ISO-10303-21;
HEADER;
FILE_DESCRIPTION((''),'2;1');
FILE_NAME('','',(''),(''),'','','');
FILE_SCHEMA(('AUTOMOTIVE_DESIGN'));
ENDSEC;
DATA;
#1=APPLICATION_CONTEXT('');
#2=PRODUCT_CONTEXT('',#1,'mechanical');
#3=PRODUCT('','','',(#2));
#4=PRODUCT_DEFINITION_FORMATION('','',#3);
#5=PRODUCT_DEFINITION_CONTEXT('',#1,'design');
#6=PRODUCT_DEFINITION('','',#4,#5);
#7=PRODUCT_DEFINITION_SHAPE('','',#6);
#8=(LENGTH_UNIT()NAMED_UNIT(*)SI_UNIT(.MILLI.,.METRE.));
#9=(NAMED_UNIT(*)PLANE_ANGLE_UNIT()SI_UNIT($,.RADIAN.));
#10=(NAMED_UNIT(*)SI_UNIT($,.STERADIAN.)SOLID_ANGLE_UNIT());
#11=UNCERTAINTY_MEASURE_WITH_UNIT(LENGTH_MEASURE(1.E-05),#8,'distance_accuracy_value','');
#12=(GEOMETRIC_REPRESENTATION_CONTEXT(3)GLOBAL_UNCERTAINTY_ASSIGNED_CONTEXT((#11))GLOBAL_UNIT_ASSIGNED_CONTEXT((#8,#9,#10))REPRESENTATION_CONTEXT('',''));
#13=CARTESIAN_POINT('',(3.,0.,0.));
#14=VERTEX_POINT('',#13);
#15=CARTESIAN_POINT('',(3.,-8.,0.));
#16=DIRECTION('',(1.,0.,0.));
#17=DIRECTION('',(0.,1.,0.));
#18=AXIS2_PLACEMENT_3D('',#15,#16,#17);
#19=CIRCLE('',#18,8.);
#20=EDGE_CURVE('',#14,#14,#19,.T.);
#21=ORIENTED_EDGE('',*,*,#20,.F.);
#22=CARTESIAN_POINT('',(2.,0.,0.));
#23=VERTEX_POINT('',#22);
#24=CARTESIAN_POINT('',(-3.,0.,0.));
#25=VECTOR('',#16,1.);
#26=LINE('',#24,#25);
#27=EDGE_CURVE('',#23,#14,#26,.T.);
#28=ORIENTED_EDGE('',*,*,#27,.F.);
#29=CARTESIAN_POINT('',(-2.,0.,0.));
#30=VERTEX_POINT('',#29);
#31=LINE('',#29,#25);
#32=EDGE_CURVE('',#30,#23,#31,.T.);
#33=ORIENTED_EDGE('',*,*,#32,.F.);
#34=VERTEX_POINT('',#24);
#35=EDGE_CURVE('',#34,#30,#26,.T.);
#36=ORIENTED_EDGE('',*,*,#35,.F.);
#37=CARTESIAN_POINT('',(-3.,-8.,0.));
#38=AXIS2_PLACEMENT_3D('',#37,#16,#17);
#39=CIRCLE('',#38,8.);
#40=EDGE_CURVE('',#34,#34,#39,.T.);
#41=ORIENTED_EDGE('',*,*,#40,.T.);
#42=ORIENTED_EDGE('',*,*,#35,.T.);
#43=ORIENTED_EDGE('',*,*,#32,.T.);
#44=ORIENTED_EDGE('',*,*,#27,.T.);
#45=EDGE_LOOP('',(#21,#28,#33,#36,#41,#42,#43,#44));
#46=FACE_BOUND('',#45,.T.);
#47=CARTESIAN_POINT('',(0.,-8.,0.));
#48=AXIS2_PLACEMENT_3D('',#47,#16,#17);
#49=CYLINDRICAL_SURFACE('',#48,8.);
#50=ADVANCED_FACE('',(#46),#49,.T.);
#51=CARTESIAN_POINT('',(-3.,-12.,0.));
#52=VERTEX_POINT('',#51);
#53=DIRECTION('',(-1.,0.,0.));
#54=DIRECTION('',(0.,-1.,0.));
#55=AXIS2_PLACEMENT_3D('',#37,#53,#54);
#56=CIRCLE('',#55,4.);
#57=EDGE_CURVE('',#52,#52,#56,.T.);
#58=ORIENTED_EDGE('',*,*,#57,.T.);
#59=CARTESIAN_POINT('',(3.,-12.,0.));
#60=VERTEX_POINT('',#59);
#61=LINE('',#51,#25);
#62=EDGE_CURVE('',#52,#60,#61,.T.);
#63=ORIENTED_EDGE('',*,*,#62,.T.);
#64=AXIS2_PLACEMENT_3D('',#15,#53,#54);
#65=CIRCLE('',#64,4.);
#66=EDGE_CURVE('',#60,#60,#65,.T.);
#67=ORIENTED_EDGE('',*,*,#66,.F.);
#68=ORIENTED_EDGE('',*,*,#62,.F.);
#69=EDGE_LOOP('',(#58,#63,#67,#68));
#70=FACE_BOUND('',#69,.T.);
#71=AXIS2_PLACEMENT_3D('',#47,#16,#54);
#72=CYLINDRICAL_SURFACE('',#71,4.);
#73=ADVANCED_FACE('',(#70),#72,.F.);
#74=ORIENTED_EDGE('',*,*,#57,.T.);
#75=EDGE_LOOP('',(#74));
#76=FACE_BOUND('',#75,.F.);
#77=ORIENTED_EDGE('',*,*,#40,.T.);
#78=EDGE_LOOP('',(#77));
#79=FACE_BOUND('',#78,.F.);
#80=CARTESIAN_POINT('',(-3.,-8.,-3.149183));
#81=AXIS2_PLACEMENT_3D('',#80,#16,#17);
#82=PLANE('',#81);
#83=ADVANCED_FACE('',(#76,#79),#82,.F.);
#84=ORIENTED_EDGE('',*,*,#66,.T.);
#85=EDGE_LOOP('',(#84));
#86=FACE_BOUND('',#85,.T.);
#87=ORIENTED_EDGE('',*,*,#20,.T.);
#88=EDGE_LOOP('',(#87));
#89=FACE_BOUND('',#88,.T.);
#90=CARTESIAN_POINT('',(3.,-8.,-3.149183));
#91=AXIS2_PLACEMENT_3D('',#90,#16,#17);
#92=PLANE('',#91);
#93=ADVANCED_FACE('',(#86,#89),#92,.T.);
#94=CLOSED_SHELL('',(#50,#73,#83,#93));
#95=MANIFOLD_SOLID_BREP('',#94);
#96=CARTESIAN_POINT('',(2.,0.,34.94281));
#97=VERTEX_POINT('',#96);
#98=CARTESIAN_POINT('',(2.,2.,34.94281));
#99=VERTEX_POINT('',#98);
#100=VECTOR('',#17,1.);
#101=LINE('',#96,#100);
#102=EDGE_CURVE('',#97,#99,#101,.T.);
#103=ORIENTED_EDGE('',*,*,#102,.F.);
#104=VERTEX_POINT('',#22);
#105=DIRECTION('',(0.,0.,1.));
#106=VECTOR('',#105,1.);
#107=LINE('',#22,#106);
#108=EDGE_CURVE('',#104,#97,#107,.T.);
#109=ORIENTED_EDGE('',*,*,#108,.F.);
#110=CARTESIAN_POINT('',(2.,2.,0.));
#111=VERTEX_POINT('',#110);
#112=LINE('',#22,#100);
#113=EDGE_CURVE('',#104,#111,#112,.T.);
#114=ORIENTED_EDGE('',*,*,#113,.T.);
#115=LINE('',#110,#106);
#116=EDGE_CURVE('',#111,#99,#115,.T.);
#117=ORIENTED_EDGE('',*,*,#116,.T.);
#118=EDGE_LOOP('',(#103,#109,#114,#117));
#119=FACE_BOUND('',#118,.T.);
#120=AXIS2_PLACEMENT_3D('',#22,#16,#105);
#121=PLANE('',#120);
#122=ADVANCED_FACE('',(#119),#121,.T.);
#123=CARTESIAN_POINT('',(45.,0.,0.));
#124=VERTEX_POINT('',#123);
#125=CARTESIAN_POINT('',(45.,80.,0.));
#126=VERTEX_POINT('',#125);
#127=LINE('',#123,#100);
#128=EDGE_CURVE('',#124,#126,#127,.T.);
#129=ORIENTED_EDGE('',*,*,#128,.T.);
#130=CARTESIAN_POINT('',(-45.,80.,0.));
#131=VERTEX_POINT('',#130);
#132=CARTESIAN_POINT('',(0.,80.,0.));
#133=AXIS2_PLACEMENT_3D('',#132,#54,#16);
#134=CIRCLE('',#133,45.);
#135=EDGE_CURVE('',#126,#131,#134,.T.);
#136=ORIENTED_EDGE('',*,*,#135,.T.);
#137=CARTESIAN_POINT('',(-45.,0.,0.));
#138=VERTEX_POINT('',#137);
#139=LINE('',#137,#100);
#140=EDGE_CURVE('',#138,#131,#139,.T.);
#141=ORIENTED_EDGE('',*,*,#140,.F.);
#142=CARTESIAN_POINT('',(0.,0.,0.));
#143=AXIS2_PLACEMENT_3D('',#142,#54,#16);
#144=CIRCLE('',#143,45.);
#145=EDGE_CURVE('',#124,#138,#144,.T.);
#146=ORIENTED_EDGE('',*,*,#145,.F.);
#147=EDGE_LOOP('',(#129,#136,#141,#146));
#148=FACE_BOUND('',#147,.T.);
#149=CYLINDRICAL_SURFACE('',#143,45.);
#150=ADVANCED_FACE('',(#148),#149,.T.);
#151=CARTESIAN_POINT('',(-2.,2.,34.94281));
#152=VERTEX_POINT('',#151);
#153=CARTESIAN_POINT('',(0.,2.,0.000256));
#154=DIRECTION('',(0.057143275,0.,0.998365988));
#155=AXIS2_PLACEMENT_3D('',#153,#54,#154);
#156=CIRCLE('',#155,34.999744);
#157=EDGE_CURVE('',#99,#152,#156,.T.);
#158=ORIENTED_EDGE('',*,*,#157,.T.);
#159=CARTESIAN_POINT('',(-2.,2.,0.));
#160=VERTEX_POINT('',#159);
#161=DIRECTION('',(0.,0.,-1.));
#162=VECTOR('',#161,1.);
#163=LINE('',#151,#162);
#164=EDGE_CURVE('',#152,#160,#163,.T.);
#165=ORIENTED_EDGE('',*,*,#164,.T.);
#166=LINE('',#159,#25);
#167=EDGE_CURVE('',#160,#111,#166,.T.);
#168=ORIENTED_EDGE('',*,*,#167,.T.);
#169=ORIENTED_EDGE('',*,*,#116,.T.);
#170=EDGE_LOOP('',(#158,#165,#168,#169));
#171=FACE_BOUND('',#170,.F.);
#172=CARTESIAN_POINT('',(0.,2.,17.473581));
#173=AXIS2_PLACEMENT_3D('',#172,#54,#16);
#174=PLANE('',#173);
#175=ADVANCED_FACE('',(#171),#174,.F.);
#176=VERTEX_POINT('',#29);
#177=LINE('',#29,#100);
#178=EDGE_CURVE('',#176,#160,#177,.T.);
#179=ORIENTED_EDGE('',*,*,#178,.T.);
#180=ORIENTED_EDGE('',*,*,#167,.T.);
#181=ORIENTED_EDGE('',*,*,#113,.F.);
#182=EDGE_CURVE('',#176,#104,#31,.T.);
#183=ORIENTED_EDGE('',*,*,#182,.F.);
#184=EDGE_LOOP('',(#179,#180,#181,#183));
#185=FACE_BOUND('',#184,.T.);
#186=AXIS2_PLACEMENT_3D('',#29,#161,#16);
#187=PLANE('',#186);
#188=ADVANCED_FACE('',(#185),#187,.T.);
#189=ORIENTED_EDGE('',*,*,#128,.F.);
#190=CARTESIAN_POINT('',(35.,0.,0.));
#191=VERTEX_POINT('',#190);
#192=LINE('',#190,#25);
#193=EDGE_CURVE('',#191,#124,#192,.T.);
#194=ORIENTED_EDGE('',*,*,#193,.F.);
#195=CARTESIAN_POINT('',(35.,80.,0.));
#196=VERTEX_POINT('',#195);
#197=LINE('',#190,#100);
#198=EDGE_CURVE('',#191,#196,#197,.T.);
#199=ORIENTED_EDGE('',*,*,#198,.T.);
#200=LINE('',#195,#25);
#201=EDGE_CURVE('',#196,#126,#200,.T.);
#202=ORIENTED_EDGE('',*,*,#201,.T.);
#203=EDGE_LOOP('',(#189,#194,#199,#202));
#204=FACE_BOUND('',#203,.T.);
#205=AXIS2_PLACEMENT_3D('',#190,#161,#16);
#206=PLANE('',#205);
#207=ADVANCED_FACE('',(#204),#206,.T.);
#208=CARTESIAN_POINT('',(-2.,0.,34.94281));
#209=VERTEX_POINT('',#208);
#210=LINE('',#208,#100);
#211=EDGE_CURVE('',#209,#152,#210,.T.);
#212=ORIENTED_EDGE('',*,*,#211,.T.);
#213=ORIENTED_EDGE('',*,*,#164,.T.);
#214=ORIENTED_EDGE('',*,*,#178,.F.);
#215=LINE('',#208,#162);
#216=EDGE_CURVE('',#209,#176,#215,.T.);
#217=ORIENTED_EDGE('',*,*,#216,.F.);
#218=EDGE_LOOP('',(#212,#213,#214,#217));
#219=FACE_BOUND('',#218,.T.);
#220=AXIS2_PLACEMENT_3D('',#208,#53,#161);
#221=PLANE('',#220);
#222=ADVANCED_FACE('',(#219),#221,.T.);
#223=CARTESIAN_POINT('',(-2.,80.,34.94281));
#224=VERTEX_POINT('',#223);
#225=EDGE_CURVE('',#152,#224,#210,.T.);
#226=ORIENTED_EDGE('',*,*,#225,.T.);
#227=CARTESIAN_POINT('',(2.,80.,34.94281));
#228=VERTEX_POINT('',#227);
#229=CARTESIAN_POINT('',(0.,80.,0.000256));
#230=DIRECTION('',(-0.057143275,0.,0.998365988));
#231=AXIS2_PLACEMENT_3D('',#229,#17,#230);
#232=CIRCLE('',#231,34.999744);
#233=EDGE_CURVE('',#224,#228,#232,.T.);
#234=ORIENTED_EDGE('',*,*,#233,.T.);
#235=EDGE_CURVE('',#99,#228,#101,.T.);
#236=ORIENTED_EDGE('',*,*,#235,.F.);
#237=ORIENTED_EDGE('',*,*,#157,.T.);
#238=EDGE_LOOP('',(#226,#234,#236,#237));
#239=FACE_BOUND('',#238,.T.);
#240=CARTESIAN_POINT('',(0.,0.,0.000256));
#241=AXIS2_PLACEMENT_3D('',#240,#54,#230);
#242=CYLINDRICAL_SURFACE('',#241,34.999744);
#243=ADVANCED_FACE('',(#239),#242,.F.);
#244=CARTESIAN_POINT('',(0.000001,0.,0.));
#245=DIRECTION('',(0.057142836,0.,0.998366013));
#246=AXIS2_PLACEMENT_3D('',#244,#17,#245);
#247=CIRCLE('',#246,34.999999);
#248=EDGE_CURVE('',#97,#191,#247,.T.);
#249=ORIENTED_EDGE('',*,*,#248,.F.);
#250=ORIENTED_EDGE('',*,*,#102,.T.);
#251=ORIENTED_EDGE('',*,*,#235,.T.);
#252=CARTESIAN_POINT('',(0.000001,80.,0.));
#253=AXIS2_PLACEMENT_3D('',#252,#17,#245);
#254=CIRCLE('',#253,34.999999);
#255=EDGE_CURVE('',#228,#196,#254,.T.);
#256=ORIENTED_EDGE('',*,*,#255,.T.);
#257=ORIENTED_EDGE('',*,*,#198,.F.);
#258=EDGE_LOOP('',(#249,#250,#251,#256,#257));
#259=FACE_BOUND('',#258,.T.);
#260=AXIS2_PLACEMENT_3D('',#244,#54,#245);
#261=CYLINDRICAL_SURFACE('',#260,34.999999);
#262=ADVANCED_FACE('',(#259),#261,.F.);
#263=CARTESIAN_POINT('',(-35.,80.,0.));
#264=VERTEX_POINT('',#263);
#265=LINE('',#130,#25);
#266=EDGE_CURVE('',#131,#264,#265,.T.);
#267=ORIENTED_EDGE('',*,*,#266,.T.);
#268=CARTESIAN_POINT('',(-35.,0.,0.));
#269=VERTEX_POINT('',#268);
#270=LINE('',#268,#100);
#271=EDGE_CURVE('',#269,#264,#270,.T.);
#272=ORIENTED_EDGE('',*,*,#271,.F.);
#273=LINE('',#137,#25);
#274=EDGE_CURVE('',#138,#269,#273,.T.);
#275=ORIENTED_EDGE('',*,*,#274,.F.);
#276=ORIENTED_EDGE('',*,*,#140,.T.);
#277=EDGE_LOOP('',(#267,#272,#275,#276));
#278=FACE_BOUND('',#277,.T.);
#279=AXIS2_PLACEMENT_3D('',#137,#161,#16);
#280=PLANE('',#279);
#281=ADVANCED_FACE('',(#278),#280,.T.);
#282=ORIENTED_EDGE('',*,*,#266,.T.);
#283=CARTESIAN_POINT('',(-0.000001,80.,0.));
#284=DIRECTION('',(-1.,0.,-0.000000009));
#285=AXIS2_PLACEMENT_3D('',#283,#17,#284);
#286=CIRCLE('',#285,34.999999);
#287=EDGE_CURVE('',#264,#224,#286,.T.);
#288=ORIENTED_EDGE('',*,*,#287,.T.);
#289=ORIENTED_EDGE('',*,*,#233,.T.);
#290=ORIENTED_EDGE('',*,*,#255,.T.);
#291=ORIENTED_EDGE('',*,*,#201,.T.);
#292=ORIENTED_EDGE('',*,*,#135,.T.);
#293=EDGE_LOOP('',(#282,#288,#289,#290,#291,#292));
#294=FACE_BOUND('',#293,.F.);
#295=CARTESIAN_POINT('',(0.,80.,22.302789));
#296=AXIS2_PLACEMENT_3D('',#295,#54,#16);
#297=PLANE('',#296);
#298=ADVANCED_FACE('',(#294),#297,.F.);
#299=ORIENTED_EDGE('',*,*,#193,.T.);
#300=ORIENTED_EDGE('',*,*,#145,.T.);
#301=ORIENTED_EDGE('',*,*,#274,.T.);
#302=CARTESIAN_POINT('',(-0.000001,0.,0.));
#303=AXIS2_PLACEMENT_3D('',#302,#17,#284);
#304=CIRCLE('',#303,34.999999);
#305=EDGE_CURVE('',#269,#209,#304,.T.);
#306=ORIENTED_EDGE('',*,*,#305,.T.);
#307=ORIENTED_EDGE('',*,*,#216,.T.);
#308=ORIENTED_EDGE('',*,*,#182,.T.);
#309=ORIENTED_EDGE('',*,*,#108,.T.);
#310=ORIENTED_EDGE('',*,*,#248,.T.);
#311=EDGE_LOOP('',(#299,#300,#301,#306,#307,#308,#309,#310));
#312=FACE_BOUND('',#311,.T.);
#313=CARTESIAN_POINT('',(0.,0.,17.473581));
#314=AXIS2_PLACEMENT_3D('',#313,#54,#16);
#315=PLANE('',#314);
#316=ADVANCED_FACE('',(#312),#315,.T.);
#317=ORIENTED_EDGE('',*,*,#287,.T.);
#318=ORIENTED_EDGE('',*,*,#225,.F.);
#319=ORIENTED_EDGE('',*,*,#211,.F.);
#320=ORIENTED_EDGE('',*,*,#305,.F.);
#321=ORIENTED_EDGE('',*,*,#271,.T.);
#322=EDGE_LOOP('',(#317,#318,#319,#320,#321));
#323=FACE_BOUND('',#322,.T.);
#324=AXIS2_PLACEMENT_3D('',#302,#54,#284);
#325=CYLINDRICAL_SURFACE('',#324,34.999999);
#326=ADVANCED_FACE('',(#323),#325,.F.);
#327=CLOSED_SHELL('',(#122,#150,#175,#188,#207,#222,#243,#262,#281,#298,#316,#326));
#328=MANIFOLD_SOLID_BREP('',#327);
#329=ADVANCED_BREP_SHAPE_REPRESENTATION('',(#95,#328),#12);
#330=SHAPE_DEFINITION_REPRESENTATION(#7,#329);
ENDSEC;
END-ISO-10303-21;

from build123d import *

# Parameters (mm, degrees)
F2_DEPTH = 3
F3_DEPTH = 80
F5_DEPTH = 2


with BuildPart() as f2:
    # F1 (on Right) → F2 (new body, symmetric)
    with BuildSketch(Plane.YZ):
        with BuildLine():
            ThreePointArc((-16, 0), (-8, -8), (0, 0))
            Line((0, 0), (-4, 0))
            ThreePointArc((-4, 0), (-8, -4), (-12, 0))
            Line((-12, 0), (-16, 0))
        make_face()
        with BuildLine():
            Line((-4, 0), (0, 0))
            ThreePointArc((0, 0), (-8, 8), (-16, 0))
            Line((-16, 0), (-12, 0))
            ThreePointArc((-12, 0), (-8, 4), (-4, 0))
        make_face()
    extrude(amount=F2_DEPTH, both=True)



with BuildPart() as f3:
    # F0 (on Front) → F3 (new body)
    with BuildSketch(Plane.XZ):
        with BuildLine():
            Line((35, 0), (45, 0))
            ThreePointArc((45, 0), (0, 45), (-45, 0))
            Line((-45, 0), (-35, 0))
            ThreePointArc((-35, 0), (-25.446021, 24.03123), (-2, 34.94281))
            ThreePointArc((-2, 34.94281), (0, 35), (2, 34.94281))
            ThreePointArc((2, 34.94281), (25.446021, 24.03123), (35, 0))
        make_face()
    extrude(amount=-F3_DEPTH)


with BuildPart() as f2_1:
    add(f2.part)

    add(f3.part)  # F5 merges F3
    # F4 (on Front) → F5 (join)
    with BuildSketch(Plane.XZ):
        with BuildLine():
            Line((2, 0), (2, 34.94281))
            ThreePointArc((2, 34.94281), (0, 35), (-2, 34.94281))
            Line((-2, 34.94281), (-2, 0))
            Line((-2, 0), (0, 0))
            Line((0, 0), (2, 0))
        make_face()
    extrude(amount=-F5_DEPTH)


solid = f2_1.part
